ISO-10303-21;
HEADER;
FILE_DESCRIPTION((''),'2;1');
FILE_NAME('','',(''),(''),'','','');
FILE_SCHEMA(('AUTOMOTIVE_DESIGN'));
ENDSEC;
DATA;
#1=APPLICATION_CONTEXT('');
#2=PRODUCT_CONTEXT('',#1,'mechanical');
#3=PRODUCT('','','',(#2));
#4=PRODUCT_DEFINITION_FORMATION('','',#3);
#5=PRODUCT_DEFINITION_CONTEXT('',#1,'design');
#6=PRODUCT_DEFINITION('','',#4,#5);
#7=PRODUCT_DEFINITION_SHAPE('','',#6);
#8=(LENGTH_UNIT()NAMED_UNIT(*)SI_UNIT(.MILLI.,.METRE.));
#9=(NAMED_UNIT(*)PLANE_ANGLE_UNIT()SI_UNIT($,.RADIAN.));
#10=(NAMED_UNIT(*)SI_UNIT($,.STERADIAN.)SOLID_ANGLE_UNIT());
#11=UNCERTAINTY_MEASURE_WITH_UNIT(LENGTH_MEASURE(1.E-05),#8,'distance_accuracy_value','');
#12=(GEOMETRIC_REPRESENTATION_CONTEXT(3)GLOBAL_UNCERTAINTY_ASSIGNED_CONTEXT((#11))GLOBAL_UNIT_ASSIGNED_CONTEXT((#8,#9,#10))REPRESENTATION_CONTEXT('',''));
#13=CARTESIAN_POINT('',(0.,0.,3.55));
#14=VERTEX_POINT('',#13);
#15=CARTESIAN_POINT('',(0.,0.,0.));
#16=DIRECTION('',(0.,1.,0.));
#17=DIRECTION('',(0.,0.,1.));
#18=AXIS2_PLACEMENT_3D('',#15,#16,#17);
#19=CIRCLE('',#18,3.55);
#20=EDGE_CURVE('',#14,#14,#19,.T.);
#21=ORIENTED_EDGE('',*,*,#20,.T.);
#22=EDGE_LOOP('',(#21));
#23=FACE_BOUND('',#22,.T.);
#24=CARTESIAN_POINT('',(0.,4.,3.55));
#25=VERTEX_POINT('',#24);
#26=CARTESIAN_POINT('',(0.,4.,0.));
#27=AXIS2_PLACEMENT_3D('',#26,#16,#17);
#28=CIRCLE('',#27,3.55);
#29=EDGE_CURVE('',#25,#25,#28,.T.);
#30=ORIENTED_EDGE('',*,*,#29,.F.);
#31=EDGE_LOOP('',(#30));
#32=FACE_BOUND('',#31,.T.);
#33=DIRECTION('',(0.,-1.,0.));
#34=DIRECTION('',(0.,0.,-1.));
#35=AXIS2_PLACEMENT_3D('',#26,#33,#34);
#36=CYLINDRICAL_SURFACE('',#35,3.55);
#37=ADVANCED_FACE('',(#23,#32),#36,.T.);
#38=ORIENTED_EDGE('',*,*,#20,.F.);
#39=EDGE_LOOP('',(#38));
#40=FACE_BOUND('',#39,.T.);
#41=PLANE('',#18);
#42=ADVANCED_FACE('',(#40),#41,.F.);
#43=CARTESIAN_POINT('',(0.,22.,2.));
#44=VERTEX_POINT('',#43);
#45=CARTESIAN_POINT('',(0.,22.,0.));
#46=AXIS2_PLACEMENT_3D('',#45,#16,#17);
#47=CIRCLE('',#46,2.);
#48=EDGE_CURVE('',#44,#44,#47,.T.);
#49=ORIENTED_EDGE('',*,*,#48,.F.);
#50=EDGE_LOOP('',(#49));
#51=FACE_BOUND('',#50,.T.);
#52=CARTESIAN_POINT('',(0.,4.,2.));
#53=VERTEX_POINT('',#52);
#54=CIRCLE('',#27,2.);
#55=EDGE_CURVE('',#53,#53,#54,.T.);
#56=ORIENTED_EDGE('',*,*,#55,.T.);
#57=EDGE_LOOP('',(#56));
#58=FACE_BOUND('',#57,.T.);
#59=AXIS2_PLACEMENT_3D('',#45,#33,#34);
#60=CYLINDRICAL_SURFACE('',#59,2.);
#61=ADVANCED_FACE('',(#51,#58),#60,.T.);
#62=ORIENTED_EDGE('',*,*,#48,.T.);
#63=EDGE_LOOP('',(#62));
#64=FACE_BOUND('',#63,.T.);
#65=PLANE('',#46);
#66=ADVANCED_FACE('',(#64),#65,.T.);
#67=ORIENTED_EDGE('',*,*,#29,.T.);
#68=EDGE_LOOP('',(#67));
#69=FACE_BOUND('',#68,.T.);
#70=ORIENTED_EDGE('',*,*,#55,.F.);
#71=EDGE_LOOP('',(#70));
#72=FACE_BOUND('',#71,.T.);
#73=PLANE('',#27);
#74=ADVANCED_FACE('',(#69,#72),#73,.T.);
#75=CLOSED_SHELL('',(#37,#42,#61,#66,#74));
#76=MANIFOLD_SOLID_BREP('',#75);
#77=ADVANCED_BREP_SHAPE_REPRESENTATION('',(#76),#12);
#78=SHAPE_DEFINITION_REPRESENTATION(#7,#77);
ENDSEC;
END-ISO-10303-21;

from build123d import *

# Parameters (mm, degrees)
SKETCH_1_R      = 3.55
EXTRUDE_1_DEPTH = 4
SKETCH_2_R      = 2
EXTRUDE_2_DEPTH = 18


with BuildPart() as part:
    # 草图1 → 凸台-拉伸1 (new body)
    with BuildSketch(Plane(origin=(0, 0, 0), x_dir=(1, 0, 0), z_dir=(0, 1, 0))):
        with Locations(Location((0, 0, 0), (0, 0, 270))):
            Circle(SKETCH_1_R)
    extrude(amount=EXTRUDE_1_DEPTH)

    # 草图2 → 凸台-拉伸2 (add)
    with BuildSketch(Plane(origin=(0, 4, 0), x_dir=(1, 0, 0), z_dir=(0, 1, 0))):
        with Locations(Location((0, 0, 0), (0, 0, 270))):
            Circle(SKETCH_2_R)
    extrude(amount=EXTRUDE_2_DEPTH)


solid = part.part
